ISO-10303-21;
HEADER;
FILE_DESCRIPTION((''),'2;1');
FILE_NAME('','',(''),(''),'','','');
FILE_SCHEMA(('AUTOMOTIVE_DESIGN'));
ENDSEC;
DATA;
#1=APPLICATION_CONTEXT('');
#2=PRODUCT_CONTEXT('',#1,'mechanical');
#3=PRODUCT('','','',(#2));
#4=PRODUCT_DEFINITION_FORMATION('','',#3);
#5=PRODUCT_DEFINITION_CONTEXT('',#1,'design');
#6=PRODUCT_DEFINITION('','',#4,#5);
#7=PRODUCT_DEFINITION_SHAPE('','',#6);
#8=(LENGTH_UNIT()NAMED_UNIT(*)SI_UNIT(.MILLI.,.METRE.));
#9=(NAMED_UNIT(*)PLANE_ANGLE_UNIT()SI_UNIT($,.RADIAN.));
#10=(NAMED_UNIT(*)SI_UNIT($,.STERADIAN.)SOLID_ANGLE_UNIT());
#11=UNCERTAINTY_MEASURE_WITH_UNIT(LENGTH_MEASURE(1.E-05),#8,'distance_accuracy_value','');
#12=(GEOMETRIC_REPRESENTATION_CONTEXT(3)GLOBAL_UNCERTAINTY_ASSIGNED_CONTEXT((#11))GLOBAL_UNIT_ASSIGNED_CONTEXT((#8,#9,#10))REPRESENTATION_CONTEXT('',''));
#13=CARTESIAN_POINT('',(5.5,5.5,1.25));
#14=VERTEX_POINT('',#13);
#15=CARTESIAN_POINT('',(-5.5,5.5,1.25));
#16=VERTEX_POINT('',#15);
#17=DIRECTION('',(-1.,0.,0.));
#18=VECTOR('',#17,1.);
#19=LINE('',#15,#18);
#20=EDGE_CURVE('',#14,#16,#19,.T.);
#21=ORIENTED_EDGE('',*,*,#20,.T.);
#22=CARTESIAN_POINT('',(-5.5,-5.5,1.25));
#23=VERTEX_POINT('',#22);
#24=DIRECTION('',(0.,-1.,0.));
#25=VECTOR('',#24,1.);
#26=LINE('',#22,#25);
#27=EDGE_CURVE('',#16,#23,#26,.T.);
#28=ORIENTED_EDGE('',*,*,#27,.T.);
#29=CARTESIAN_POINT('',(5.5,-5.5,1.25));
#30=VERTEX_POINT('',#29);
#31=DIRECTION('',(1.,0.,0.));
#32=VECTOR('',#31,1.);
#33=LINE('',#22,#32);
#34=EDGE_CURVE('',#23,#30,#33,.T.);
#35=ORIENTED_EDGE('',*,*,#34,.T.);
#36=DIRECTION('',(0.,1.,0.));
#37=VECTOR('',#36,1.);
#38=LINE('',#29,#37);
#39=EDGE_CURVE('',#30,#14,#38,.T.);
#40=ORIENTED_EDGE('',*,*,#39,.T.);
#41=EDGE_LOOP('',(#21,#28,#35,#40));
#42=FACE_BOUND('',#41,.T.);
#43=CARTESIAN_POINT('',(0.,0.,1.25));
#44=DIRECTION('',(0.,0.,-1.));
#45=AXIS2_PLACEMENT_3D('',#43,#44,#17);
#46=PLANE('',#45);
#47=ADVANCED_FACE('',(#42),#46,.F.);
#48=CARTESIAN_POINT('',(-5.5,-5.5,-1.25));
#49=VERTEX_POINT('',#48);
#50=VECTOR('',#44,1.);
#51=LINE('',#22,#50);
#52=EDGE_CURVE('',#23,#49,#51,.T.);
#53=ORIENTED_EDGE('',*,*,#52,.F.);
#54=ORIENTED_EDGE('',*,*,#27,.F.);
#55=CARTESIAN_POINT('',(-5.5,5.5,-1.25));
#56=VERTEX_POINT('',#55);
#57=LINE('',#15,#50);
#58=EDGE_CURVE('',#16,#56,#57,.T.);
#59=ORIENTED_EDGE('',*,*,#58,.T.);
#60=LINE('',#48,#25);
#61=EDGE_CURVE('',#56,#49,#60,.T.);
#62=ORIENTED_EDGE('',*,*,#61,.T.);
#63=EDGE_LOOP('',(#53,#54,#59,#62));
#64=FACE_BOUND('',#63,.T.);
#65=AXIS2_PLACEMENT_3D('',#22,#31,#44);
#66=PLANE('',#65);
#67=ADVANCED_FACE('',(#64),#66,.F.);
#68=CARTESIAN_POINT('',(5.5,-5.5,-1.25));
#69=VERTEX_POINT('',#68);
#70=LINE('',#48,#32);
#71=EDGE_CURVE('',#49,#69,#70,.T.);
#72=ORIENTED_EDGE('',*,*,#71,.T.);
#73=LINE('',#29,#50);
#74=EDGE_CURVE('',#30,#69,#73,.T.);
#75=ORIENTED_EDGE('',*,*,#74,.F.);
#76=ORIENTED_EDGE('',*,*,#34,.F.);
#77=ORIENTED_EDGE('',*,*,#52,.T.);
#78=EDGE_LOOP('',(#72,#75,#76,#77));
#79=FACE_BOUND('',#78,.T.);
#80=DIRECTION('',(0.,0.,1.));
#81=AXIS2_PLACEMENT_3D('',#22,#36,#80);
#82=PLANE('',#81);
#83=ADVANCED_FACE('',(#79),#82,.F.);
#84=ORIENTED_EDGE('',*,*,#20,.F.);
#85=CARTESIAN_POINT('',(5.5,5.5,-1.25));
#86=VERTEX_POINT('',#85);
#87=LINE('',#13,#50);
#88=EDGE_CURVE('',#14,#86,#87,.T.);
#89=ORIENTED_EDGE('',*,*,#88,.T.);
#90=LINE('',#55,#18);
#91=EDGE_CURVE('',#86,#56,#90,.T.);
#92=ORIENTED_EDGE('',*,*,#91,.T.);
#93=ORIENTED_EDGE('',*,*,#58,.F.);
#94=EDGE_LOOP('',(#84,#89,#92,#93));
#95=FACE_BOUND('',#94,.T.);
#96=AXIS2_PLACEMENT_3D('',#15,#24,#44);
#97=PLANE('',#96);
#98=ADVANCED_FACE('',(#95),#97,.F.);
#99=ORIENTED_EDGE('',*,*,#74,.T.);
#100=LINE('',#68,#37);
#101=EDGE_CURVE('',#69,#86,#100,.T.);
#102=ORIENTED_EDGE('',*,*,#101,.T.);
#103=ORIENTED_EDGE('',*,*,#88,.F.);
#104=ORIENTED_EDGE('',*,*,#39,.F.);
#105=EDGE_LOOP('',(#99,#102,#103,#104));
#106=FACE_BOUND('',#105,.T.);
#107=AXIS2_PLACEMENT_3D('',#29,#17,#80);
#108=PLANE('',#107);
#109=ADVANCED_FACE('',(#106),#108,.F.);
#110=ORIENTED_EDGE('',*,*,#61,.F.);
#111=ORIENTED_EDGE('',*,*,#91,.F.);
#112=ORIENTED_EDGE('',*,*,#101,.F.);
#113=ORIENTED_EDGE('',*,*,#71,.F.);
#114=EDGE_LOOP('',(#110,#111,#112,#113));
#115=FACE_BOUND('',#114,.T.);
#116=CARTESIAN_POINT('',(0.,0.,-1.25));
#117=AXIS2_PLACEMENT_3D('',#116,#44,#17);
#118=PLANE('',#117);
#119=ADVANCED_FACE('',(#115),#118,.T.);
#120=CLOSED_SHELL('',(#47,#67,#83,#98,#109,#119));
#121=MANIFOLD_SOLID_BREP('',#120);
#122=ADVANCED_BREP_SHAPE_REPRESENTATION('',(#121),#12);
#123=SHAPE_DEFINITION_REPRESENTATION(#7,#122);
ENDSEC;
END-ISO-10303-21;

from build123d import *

# Parameters (mm, degrees)
SKETCH1_W           = 11
SKETCH1_H           = 11
BOSS_EXTRUDE1_DEPTH = 1.25


with BuildPart() as part:
    # Sketch1 → Boss-Extrude1 (new body, symmetric)
    with BuildSketch(Plane.XY):
        Rectangle(SKETCH1_W, SKETCH1_H)
    extrude(amount=BOSS_EXTRUDE1_DEPTH, both=True)


solid = part.part
